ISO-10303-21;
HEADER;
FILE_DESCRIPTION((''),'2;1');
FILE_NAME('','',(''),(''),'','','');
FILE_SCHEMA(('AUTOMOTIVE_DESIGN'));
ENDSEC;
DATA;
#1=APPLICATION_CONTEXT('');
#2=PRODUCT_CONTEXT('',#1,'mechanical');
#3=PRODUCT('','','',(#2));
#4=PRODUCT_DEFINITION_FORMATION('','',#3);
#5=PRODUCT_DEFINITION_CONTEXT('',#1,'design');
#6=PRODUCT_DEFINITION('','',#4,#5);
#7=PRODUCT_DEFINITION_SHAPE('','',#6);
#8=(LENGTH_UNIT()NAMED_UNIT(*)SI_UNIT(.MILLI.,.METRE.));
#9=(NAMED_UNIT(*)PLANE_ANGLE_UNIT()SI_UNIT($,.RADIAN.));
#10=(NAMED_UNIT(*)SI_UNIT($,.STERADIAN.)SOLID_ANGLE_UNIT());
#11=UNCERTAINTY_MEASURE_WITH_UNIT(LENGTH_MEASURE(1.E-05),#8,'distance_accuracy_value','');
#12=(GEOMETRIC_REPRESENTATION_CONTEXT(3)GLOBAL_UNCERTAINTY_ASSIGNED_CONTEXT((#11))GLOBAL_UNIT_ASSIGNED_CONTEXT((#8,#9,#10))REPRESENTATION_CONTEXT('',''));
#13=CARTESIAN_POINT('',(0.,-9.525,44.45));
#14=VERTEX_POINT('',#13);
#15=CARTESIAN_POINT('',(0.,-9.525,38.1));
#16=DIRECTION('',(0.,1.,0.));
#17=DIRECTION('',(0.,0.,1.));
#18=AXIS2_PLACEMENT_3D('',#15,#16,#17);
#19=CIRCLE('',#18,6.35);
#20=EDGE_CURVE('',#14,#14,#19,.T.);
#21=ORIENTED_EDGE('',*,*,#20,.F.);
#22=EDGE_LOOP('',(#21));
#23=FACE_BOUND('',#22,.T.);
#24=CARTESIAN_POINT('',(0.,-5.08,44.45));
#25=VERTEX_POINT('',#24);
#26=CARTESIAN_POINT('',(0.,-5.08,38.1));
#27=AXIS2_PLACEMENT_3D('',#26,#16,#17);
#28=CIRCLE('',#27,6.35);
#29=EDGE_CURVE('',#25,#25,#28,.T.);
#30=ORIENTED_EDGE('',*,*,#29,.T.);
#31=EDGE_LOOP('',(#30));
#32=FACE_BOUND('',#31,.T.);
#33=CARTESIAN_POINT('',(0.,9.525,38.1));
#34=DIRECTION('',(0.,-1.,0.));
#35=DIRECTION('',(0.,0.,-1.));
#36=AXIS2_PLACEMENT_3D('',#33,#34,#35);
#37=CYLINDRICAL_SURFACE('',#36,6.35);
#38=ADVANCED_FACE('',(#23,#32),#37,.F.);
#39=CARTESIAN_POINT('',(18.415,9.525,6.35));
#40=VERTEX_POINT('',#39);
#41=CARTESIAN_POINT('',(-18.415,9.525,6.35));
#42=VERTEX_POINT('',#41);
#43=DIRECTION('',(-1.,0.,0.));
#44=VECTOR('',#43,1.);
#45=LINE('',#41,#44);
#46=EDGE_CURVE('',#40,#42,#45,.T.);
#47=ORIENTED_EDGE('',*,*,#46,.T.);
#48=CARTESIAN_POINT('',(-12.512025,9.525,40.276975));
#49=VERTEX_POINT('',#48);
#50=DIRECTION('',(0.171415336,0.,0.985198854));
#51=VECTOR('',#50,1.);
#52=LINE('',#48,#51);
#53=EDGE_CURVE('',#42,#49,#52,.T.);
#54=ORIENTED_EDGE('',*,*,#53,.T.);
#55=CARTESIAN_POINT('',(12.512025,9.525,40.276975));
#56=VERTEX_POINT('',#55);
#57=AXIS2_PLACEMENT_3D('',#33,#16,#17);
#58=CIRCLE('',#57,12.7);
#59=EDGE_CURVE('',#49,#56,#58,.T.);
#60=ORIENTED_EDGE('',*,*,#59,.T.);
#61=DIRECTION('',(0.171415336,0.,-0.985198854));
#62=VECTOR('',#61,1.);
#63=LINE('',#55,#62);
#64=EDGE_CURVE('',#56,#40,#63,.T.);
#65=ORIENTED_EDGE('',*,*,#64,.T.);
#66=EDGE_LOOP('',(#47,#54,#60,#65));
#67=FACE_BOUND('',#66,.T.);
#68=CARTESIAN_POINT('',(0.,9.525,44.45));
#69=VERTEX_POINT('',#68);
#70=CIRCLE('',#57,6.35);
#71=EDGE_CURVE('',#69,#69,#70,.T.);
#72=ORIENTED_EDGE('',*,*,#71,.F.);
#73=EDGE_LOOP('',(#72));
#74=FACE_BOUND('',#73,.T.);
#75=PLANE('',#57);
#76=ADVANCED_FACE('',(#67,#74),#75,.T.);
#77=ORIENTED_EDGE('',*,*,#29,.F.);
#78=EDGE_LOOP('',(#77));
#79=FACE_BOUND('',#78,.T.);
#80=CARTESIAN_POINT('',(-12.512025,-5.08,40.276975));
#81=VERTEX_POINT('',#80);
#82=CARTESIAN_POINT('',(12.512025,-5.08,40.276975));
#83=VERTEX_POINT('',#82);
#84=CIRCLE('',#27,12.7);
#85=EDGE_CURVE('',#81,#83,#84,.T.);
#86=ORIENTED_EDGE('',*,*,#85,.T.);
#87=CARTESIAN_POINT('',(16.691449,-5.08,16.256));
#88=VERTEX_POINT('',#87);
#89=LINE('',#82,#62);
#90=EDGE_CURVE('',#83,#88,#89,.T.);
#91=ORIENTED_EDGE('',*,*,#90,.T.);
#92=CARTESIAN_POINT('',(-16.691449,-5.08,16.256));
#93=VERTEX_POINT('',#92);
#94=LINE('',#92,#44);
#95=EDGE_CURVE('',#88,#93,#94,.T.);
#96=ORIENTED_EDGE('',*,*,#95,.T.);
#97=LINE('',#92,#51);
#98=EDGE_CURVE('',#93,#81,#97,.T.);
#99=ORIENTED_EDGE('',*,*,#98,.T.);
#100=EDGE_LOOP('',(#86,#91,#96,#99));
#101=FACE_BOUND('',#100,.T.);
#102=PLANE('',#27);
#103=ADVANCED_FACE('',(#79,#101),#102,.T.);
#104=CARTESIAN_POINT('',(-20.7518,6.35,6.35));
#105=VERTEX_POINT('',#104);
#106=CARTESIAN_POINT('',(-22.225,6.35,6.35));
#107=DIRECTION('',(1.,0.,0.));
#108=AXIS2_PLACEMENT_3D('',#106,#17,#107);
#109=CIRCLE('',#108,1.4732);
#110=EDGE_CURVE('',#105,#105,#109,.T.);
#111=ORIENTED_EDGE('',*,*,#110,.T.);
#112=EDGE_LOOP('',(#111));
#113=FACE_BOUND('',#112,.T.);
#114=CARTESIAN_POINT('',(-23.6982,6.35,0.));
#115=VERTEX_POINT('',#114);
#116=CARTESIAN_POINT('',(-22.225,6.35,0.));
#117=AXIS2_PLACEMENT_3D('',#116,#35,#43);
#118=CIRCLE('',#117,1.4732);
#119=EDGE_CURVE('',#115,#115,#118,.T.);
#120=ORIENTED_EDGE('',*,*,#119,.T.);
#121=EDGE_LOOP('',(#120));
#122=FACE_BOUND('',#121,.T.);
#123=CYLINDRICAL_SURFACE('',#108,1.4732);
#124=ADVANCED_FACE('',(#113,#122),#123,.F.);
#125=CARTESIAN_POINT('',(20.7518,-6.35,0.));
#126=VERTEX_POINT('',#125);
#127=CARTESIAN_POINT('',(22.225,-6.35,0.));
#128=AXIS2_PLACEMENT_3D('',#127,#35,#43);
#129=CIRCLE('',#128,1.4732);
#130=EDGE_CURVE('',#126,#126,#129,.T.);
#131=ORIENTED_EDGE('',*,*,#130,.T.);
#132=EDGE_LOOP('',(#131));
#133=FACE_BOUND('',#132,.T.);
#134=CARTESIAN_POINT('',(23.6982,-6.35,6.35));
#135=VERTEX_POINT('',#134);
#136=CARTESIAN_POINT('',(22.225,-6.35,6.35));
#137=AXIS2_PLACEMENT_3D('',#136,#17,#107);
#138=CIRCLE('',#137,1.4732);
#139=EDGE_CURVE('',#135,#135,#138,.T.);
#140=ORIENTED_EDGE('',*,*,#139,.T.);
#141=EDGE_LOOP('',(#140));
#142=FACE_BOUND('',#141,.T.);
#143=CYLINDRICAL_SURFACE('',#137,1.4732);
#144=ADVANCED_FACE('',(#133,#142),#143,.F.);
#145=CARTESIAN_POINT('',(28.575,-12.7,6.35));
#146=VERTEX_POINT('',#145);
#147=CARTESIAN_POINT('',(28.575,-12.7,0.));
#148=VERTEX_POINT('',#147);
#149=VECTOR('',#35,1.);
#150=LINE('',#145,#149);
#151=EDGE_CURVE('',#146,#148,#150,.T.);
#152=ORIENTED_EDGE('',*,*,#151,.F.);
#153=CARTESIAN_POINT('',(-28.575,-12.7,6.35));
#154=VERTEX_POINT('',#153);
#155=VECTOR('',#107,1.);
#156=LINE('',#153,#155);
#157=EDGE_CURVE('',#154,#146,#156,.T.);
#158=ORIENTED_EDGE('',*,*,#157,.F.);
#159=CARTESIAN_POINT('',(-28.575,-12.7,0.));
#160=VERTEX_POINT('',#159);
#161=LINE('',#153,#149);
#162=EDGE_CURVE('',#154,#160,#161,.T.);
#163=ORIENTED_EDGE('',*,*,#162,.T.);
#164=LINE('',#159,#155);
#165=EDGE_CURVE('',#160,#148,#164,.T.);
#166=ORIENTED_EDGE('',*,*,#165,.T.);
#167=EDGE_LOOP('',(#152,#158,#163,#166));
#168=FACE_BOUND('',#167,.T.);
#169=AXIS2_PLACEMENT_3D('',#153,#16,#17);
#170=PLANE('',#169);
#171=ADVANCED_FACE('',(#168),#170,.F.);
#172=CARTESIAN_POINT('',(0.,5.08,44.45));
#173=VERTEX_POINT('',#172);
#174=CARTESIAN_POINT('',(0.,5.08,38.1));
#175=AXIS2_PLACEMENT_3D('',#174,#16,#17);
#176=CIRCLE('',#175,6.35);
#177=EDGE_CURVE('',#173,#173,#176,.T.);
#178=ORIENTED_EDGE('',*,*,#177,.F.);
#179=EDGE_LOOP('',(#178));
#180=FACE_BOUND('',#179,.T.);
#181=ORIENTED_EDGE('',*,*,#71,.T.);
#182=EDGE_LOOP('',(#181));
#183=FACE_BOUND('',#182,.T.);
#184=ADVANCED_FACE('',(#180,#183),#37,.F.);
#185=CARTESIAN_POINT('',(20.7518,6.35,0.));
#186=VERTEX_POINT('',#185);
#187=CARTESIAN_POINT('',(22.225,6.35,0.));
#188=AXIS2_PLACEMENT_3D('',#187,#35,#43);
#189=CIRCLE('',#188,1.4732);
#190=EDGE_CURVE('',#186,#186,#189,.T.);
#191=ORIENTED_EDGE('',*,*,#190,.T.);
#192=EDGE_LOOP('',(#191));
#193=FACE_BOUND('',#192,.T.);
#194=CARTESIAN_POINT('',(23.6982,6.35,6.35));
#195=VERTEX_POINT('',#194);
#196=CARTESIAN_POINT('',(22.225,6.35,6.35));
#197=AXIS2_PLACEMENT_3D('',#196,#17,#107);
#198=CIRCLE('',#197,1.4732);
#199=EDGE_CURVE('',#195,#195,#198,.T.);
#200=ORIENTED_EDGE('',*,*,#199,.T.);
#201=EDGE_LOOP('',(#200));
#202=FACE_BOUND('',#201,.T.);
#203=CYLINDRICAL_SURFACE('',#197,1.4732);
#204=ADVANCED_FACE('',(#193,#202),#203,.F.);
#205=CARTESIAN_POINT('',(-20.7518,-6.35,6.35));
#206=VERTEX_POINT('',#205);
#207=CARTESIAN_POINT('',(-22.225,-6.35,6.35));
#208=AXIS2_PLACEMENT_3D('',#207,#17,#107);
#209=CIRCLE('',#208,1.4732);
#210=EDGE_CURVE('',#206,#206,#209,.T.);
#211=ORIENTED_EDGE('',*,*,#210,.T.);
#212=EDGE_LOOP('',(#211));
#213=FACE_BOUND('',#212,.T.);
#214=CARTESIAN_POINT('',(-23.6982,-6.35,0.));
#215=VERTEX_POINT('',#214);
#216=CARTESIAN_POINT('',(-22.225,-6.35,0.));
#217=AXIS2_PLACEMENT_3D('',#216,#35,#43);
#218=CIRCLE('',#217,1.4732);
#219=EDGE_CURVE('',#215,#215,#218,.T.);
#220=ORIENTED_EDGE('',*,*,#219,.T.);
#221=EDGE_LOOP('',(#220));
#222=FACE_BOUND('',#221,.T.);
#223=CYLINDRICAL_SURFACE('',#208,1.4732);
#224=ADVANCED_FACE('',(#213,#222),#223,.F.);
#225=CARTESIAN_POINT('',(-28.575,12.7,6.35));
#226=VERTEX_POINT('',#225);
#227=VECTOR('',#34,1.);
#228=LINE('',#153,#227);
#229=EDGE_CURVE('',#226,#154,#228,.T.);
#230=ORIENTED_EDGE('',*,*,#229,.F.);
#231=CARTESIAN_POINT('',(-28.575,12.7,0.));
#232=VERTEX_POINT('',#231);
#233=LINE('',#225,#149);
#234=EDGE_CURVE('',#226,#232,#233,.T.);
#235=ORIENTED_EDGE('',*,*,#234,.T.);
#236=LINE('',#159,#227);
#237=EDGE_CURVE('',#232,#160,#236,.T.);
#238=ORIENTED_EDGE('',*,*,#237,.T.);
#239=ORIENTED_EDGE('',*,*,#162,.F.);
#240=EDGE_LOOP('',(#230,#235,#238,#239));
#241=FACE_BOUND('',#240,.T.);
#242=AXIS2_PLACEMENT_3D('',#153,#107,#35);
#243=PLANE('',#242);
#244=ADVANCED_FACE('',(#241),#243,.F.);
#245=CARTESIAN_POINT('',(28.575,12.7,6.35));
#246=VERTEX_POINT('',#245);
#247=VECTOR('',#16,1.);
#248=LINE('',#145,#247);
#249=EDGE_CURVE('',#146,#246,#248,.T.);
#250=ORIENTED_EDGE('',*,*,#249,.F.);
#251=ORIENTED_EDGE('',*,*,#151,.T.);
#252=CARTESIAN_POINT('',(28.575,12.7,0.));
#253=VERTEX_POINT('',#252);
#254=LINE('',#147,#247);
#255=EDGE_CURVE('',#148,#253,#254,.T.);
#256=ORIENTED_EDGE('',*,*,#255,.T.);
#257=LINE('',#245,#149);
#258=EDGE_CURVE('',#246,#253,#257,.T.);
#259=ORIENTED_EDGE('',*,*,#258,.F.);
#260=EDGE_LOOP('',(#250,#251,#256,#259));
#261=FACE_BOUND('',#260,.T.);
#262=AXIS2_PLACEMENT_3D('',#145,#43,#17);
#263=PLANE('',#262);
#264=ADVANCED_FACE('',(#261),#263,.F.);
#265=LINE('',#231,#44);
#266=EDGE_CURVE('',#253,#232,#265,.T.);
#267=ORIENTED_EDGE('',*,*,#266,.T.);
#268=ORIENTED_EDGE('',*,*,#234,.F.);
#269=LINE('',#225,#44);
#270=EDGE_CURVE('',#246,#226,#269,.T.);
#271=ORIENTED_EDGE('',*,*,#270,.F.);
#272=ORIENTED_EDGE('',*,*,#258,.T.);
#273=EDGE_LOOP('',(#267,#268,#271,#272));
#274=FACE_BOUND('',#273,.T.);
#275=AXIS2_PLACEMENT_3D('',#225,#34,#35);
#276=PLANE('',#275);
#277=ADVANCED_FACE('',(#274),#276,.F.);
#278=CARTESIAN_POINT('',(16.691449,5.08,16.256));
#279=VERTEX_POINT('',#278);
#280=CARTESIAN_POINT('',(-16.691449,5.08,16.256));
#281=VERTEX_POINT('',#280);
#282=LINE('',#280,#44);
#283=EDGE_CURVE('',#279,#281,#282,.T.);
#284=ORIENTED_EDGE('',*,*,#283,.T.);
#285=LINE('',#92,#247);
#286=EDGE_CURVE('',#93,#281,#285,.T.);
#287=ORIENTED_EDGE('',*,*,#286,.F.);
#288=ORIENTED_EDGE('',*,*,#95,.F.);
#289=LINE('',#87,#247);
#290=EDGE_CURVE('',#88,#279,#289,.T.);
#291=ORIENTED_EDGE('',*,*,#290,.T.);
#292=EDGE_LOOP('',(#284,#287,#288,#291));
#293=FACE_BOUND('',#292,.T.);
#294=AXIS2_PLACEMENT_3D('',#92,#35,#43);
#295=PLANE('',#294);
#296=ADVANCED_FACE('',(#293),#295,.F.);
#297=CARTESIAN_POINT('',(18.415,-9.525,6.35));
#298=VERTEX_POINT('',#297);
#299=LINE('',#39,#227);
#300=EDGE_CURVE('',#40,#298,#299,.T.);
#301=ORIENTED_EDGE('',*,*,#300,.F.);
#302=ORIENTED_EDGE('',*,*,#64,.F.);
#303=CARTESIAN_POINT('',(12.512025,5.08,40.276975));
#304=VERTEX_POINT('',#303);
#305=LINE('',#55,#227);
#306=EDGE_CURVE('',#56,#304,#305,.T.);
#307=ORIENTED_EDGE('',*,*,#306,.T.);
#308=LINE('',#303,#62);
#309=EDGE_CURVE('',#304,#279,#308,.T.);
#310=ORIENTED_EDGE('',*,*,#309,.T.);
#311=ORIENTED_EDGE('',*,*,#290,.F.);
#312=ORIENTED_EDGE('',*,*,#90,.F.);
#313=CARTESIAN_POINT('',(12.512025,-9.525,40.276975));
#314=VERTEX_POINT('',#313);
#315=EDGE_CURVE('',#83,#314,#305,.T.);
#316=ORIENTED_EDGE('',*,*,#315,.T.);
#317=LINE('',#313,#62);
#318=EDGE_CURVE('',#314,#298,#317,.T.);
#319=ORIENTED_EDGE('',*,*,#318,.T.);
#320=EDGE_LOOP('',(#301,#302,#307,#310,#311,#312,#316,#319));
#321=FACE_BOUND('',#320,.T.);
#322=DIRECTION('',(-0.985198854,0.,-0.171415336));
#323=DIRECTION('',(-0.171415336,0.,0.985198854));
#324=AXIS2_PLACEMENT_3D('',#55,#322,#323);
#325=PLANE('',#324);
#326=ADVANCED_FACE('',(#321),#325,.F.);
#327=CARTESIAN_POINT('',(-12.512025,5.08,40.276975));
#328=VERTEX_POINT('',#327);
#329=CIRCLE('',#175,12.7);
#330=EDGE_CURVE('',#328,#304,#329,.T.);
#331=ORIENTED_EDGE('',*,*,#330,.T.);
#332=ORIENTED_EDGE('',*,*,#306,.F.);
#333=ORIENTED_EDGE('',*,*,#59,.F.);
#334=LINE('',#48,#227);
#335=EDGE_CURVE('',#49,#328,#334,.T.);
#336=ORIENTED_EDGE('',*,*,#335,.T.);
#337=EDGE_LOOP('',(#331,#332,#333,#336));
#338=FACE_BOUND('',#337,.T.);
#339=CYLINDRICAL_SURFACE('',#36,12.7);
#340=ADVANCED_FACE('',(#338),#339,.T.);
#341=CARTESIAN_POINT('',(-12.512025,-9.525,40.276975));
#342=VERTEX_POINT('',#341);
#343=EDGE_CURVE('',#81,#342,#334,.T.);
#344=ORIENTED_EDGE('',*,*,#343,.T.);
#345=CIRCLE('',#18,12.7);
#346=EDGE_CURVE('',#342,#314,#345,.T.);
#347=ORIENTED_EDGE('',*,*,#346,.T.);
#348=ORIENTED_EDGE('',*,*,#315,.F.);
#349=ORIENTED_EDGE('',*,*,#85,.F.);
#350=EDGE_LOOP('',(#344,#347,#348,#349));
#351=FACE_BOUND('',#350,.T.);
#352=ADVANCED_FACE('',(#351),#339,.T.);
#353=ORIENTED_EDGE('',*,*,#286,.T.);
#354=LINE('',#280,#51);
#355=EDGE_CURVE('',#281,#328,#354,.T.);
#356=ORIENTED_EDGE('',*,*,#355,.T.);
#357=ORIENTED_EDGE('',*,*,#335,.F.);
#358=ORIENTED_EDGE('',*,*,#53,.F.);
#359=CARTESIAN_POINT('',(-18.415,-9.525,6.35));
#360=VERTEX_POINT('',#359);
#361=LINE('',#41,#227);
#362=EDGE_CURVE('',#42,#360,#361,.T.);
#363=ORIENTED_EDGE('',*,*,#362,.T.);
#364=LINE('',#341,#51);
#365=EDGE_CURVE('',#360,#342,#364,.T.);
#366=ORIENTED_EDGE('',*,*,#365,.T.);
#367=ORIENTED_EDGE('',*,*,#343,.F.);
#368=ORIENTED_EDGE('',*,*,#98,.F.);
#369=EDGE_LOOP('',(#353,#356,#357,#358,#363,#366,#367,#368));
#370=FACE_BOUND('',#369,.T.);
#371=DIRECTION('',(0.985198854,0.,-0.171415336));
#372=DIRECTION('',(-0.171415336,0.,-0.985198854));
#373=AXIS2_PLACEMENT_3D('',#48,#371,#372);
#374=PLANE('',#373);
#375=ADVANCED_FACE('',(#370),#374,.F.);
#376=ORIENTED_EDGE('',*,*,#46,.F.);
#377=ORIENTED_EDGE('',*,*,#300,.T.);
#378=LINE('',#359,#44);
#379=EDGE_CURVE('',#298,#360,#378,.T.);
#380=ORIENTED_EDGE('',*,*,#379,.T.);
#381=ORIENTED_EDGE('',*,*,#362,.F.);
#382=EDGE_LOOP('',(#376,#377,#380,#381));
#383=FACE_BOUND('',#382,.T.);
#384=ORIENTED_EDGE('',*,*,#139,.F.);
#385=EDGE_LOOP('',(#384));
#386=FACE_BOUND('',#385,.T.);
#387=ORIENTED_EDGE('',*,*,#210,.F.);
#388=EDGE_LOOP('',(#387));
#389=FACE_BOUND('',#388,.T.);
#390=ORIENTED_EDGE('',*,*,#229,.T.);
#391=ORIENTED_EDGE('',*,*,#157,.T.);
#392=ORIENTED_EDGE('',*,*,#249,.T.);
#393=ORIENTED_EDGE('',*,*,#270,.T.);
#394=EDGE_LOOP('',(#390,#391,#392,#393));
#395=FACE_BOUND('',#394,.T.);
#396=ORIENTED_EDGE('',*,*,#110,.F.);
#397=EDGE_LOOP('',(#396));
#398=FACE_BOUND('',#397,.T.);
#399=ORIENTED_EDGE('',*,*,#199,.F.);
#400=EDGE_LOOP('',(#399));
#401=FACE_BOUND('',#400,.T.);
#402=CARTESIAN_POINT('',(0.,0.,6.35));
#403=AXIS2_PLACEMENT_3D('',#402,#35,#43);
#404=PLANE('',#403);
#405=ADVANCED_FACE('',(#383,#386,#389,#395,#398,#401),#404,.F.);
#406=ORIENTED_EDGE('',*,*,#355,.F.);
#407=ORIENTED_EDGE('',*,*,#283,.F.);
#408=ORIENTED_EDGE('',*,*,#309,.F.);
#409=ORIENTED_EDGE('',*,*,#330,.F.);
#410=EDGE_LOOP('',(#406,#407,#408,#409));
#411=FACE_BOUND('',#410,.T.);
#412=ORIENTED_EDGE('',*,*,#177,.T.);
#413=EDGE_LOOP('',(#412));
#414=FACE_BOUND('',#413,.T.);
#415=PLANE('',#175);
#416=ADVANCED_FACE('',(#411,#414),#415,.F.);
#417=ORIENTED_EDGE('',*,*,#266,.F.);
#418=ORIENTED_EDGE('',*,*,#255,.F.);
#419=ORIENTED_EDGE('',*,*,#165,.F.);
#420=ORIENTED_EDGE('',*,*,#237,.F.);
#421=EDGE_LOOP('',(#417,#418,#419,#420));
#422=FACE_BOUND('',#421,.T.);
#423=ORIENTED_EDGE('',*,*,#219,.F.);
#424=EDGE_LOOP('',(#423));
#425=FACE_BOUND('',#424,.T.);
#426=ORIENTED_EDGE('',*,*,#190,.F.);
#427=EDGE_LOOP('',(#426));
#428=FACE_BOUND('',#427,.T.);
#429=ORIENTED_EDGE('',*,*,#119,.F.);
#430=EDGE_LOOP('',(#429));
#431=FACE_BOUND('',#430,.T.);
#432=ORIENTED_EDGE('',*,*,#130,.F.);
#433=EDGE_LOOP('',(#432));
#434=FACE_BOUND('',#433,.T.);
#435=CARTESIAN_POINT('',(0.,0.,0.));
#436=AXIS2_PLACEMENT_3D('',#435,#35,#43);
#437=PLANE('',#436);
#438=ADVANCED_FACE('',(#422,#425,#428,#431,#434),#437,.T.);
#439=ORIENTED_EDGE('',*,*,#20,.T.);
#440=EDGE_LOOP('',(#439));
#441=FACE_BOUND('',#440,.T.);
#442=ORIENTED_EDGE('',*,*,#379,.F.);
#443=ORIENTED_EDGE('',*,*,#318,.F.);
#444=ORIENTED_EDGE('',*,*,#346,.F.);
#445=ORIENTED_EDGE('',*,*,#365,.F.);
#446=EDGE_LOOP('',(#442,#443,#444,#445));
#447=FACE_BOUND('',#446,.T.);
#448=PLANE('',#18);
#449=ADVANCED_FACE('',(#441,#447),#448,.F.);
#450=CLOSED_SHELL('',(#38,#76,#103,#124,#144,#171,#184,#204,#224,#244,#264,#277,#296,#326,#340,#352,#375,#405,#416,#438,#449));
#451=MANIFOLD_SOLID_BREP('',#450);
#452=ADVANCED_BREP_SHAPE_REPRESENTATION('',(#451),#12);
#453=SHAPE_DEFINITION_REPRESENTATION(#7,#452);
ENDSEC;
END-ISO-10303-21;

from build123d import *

# Parameters (mm, degrees)
SKETCH1_W                 = 57.15
SKETCH1_H                 = 25.4
BOSS_EXTRUDE1_DEPTH       = 6.35
F_4_CLEARANCE_HOLE1_D     = 2.9464
F_4_CLEARANCE_HOLE1_DEPTH = 6.35
SKETCH4_R                 = 6.35
BOSS_EXTRUDE2_DEPTH       = 9.525
SKETCH5_R                 = 6.35
BOSS_EXTRUDE3_DEPTH       = 9.525
CUT_EXTRUDE1_DEPTH        = 5.08


with BuildPart() as part:
    # Sketch1 → Boss-Extrude1 (new body)
    with BuildSketch(Plane.XY):
        Rectangle(SKETCH1_W, SKETCH1_H)
    extrude(amount=BOSS_EXTRUDE1_DEPTH)

    # #4 Clearance Hole1
    with Locations(Plane.XY.offset(6.35)):
        with Locations((-22.225, 6.35), (22.225, -6.35), (-22.225, -6.35), (22.225, 6.35)):
            Hole(F_4_CLEARANCE_HOLE1_D / 2, depth=F_4_CLEARANCE_HOLE1_DEPTH)

    # Sketch4 → Boss-Extrude2 (add, symmetric)
    with BuildSketch(Plane(origin=(0, 0, 0), x_dir=(1, 0, 0), z_dir=(0, 1, 0))):
        with BuildLine():
            Line((-12.512025451, -40.276974762), (-18.415, -6.35))
            Line((-18.415, -6.35), (18.415, -6.35))
            Line((18.415, -6.35), (12.512025451, -40.276974762))
            ThreePointArc((12.512025451, -40.276974762), (0, -50.8), (-12.512025451, -40.276974762))
        make_face()
        with Locations((0, -38.1)):
            Circle(SKETCH4_R, mode=Mode.SUBTRACT)
    extrude(amount=BOSS_EXTRUDE2_DEPTH, both=True)

    # Sketch5 → Boss-Extrude3 (add, symmetric)
    with BuildSketch(Plane(origin=(0, 0, 0), x_dir=(1, 0, 0), z_dir=(0, 1, 0))):
        with BuildLine():
            Line((17.641611802, -10.795), (-17.641611802, -10.795))
            Line((-17.641611802, -10.795), (-12.512025451, -40.276974762))
            ThreePointArc((-12.512025451, -40.276974762), (0, -50.8), (12.512025451, -40.276974762))
            Line((12.512025451, -40.276974762), (17.641611802, -10.795))
        make_face()
        with Locations((0, -38.1)):
            Circle(SKETCH5_R, mode=Mode.SUBTRACT)
    extrude(amount=BOSS_EXTRUDE3_DEPTH, both=True)

    # Sketch6 → Cut-Extrude1 (cut, symmetric)
    with BuildSketch(Plane(origin=(0, 0, 0), x_dir=(1, 0, 0), z_dir=(0, 1, 0))):
        with BuildLine():
            Line((-16.691449159, -16.256), (16.691449159, -16.256))
            Line((16.691449159, -16.256), (12.512025451, -40.276974762))
            ThreePointArc((12.512025451, -40.276974762), (0, -50.8), (-12.512025451, -40.276974762))
            Line((-12.512025451, -40.276974762), (-16.691449159, -16.256))
        make_face()
    extrude(amount=CUT_EXTRUDE1_DEPTH, both=True, mode=Mode.SUBTRACT)


solid = part.part
